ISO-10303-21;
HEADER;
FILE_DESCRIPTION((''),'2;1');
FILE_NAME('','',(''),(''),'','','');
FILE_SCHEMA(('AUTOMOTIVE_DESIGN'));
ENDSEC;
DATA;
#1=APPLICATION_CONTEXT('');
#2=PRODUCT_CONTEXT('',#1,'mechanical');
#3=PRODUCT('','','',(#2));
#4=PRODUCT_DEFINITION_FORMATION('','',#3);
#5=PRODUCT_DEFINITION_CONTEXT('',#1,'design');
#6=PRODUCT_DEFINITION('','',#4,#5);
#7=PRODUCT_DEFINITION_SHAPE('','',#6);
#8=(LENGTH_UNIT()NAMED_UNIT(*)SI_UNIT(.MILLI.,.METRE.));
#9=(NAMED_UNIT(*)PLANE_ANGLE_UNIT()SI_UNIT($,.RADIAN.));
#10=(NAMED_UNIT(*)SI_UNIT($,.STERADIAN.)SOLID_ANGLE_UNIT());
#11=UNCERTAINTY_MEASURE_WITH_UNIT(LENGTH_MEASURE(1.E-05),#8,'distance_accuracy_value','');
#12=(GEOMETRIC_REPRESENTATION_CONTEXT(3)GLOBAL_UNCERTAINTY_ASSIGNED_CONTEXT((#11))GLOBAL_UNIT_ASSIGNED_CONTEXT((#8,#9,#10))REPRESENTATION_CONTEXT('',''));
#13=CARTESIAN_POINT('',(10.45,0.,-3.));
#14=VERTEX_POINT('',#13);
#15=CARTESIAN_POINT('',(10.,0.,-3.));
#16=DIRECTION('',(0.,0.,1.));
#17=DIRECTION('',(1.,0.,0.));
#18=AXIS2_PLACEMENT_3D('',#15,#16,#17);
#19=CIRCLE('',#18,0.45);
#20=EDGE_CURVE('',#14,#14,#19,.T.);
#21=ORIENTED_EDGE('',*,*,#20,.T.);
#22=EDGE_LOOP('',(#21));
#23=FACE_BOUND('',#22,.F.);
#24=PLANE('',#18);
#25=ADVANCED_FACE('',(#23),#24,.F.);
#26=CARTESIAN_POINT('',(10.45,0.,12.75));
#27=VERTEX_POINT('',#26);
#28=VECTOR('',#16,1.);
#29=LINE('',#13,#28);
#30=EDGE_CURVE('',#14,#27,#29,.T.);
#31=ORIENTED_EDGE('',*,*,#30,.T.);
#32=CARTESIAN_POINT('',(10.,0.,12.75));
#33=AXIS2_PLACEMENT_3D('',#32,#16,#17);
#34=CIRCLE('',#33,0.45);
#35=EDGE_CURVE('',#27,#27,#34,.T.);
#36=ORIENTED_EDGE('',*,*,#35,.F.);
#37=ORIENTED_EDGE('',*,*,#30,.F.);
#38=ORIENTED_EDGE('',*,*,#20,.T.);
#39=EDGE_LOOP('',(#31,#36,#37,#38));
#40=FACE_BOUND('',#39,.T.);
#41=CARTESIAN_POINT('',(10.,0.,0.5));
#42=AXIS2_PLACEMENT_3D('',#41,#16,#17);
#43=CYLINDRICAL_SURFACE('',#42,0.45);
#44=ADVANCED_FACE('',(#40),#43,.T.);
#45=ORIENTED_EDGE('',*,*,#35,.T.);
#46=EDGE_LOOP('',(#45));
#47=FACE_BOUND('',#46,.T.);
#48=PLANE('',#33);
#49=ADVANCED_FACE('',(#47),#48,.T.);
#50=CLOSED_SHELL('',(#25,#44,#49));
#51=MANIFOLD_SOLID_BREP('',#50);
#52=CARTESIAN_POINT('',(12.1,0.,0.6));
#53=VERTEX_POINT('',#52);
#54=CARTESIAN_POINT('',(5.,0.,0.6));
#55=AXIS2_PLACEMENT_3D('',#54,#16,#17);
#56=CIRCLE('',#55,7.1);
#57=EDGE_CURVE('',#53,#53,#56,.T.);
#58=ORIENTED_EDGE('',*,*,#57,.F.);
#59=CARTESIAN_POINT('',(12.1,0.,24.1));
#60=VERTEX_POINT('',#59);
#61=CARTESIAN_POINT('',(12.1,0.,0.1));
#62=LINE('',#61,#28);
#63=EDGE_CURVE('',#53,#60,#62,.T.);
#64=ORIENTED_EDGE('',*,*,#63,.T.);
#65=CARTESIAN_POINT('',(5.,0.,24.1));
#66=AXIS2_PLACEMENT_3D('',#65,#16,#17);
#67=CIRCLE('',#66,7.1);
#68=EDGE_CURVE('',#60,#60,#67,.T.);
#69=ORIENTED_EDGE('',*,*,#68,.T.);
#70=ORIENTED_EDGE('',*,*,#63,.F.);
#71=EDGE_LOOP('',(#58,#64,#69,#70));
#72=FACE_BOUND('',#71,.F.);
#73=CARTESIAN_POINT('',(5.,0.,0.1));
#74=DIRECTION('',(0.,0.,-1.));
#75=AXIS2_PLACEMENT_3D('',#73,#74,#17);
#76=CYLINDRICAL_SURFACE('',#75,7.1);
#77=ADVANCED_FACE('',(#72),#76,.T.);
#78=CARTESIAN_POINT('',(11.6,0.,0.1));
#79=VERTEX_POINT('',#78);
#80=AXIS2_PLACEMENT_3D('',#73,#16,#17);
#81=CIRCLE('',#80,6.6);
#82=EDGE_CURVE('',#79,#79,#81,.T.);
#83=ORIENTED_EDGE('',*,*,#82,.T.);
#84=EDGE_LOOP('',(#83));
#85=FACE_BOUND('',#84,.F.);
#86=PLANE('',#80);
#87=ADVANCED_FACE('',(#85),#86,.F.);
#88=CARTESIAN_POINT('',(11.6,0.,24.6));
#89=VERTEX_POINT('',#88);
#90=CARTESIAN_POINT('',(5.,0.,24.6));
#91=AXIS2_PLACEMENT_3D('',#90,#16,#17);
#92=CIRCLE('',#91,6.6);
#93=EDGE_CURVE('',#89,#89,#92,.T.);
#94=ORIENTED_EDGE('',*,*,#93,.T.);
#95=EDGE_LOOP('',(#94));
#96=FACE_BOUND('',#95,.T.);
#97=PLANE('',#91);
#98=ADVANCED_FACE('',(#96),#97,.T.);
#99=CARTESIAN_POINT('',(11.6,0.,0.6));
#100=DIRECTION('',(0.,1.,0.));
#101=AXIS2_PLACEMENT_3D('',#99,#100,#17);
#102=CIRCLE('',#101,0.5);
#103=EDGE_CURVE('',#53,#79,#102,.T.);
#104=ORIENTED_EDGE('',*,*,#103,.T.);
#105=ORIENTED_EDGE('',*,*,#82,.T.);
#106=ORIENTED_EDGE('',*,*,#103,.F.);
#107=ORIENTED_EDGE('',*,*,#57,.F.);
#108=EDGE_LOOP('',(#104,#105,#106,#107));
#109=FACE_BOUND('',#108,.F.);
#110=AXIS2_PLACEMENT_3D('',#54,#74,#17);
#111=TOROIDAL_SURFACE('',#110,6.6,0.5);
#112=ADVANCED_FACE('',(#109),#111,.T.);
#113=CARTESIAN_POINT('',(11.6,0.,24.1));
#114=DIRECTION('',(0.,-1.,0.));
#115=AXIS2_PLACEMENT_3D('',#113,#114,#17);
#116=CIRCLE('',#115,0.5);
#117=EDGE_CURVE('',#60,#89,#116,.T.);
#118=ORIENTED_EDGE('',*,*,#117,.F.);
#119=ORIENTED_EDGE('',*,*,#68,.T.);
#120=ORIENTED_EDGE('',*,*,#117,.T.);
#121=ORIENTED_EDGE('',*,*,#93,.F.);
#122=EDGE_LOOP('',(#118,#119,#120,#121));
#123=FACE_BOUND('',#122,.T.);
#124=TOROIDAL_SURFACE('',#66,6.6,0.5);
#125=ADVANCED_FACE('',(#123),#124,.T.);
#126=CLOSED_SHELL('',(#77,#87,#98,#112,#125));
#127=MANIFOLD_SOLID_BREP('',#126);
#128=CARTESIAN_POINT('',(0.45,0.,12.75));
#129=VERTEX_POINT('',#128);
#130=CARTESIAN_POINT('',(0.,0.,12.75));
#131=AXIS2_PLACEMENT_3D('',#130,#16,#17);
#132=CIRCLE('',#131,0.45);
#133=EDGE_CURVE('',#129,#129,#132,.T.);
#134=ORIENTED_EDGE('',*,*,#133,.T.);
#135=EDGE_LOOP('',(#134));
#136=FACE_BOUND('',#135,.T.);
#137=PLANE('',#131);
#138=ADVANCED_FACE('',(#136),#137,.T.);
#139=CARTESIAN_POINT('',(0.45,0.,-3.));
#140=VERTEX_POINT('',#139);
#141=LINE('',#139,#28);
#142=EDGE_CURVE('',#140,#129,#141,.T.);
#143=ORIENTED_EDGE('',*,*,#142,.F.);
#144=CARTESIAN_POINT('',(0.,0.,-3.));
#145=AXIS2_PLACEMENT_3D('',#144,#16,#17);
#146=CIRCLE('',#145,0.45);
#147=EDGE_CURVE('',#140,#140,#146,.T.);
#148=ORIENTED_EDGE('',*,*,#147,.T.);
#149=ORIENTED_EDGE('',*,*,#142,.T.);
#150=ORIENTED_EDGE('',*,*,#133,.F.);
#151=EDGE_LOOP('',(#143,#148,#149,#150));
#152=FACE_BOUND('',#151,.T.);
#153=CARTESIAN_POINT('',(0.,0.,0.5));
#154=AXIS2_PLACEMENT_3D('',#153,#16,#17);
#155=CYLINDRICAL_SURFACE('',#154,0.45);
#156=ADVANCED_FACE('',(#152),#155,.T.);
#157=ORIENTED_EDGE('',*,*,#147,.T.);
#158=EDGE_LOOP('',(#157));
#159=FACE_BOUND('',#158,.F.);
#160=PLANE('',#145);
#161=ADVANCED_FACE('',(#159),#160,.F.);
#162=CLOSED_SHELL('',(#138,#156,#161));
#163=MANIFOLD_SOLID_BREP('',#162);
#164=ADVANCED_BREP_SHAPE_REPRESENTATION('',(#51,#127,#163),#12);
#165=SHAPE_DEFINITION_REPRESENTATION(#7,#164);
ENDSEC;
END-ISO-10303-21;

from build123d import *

# Parameters (mm, degrees)
SKETCH001_R       = 0.45
PAD001_DEPTH      = 12.25
PAD001_DEPTH_BACK = 3.5
SKETCH_R          = 7.1
PAD_DEPTH         = 24.5
FILLET_R          = 0.5


with BuildPart() as pad001:
    # Sketch001 → Pad001 (new body, two sides)
    with BuildSketch(Plane.XY.offset(0.5)) as pad001_sk:
        Circle(SKETCH001_R)
        with Locations((10, 0)):
            Circle(SKETCH001_R)
    extrude(amount=PAD001_DEPTH)
    extrude(pad001_sk.sketch, amount=-PAD001_DEPTH_BACK)


with BuildPart() as fillet_body:
    # Sketch → Pad (new body)
    with BuildSketch(Plane.XY.offset(0.1)):
        with Locations((5, 0)):
            Circle(SKETCH_R)
    extrude(amount=PAD_DEPTH)

    # Fillet
    fillet_edges = [fillet_body.edges().sort_by_distance(p)[0] for p in [
        (-2.1, 0, 0.1),
        (-2.1, 0, 24.6),
    ]]
    fillet(fillet_edges, radius=FILLET_R)


solid = Compound([pad001.part, fillet_body.part])
